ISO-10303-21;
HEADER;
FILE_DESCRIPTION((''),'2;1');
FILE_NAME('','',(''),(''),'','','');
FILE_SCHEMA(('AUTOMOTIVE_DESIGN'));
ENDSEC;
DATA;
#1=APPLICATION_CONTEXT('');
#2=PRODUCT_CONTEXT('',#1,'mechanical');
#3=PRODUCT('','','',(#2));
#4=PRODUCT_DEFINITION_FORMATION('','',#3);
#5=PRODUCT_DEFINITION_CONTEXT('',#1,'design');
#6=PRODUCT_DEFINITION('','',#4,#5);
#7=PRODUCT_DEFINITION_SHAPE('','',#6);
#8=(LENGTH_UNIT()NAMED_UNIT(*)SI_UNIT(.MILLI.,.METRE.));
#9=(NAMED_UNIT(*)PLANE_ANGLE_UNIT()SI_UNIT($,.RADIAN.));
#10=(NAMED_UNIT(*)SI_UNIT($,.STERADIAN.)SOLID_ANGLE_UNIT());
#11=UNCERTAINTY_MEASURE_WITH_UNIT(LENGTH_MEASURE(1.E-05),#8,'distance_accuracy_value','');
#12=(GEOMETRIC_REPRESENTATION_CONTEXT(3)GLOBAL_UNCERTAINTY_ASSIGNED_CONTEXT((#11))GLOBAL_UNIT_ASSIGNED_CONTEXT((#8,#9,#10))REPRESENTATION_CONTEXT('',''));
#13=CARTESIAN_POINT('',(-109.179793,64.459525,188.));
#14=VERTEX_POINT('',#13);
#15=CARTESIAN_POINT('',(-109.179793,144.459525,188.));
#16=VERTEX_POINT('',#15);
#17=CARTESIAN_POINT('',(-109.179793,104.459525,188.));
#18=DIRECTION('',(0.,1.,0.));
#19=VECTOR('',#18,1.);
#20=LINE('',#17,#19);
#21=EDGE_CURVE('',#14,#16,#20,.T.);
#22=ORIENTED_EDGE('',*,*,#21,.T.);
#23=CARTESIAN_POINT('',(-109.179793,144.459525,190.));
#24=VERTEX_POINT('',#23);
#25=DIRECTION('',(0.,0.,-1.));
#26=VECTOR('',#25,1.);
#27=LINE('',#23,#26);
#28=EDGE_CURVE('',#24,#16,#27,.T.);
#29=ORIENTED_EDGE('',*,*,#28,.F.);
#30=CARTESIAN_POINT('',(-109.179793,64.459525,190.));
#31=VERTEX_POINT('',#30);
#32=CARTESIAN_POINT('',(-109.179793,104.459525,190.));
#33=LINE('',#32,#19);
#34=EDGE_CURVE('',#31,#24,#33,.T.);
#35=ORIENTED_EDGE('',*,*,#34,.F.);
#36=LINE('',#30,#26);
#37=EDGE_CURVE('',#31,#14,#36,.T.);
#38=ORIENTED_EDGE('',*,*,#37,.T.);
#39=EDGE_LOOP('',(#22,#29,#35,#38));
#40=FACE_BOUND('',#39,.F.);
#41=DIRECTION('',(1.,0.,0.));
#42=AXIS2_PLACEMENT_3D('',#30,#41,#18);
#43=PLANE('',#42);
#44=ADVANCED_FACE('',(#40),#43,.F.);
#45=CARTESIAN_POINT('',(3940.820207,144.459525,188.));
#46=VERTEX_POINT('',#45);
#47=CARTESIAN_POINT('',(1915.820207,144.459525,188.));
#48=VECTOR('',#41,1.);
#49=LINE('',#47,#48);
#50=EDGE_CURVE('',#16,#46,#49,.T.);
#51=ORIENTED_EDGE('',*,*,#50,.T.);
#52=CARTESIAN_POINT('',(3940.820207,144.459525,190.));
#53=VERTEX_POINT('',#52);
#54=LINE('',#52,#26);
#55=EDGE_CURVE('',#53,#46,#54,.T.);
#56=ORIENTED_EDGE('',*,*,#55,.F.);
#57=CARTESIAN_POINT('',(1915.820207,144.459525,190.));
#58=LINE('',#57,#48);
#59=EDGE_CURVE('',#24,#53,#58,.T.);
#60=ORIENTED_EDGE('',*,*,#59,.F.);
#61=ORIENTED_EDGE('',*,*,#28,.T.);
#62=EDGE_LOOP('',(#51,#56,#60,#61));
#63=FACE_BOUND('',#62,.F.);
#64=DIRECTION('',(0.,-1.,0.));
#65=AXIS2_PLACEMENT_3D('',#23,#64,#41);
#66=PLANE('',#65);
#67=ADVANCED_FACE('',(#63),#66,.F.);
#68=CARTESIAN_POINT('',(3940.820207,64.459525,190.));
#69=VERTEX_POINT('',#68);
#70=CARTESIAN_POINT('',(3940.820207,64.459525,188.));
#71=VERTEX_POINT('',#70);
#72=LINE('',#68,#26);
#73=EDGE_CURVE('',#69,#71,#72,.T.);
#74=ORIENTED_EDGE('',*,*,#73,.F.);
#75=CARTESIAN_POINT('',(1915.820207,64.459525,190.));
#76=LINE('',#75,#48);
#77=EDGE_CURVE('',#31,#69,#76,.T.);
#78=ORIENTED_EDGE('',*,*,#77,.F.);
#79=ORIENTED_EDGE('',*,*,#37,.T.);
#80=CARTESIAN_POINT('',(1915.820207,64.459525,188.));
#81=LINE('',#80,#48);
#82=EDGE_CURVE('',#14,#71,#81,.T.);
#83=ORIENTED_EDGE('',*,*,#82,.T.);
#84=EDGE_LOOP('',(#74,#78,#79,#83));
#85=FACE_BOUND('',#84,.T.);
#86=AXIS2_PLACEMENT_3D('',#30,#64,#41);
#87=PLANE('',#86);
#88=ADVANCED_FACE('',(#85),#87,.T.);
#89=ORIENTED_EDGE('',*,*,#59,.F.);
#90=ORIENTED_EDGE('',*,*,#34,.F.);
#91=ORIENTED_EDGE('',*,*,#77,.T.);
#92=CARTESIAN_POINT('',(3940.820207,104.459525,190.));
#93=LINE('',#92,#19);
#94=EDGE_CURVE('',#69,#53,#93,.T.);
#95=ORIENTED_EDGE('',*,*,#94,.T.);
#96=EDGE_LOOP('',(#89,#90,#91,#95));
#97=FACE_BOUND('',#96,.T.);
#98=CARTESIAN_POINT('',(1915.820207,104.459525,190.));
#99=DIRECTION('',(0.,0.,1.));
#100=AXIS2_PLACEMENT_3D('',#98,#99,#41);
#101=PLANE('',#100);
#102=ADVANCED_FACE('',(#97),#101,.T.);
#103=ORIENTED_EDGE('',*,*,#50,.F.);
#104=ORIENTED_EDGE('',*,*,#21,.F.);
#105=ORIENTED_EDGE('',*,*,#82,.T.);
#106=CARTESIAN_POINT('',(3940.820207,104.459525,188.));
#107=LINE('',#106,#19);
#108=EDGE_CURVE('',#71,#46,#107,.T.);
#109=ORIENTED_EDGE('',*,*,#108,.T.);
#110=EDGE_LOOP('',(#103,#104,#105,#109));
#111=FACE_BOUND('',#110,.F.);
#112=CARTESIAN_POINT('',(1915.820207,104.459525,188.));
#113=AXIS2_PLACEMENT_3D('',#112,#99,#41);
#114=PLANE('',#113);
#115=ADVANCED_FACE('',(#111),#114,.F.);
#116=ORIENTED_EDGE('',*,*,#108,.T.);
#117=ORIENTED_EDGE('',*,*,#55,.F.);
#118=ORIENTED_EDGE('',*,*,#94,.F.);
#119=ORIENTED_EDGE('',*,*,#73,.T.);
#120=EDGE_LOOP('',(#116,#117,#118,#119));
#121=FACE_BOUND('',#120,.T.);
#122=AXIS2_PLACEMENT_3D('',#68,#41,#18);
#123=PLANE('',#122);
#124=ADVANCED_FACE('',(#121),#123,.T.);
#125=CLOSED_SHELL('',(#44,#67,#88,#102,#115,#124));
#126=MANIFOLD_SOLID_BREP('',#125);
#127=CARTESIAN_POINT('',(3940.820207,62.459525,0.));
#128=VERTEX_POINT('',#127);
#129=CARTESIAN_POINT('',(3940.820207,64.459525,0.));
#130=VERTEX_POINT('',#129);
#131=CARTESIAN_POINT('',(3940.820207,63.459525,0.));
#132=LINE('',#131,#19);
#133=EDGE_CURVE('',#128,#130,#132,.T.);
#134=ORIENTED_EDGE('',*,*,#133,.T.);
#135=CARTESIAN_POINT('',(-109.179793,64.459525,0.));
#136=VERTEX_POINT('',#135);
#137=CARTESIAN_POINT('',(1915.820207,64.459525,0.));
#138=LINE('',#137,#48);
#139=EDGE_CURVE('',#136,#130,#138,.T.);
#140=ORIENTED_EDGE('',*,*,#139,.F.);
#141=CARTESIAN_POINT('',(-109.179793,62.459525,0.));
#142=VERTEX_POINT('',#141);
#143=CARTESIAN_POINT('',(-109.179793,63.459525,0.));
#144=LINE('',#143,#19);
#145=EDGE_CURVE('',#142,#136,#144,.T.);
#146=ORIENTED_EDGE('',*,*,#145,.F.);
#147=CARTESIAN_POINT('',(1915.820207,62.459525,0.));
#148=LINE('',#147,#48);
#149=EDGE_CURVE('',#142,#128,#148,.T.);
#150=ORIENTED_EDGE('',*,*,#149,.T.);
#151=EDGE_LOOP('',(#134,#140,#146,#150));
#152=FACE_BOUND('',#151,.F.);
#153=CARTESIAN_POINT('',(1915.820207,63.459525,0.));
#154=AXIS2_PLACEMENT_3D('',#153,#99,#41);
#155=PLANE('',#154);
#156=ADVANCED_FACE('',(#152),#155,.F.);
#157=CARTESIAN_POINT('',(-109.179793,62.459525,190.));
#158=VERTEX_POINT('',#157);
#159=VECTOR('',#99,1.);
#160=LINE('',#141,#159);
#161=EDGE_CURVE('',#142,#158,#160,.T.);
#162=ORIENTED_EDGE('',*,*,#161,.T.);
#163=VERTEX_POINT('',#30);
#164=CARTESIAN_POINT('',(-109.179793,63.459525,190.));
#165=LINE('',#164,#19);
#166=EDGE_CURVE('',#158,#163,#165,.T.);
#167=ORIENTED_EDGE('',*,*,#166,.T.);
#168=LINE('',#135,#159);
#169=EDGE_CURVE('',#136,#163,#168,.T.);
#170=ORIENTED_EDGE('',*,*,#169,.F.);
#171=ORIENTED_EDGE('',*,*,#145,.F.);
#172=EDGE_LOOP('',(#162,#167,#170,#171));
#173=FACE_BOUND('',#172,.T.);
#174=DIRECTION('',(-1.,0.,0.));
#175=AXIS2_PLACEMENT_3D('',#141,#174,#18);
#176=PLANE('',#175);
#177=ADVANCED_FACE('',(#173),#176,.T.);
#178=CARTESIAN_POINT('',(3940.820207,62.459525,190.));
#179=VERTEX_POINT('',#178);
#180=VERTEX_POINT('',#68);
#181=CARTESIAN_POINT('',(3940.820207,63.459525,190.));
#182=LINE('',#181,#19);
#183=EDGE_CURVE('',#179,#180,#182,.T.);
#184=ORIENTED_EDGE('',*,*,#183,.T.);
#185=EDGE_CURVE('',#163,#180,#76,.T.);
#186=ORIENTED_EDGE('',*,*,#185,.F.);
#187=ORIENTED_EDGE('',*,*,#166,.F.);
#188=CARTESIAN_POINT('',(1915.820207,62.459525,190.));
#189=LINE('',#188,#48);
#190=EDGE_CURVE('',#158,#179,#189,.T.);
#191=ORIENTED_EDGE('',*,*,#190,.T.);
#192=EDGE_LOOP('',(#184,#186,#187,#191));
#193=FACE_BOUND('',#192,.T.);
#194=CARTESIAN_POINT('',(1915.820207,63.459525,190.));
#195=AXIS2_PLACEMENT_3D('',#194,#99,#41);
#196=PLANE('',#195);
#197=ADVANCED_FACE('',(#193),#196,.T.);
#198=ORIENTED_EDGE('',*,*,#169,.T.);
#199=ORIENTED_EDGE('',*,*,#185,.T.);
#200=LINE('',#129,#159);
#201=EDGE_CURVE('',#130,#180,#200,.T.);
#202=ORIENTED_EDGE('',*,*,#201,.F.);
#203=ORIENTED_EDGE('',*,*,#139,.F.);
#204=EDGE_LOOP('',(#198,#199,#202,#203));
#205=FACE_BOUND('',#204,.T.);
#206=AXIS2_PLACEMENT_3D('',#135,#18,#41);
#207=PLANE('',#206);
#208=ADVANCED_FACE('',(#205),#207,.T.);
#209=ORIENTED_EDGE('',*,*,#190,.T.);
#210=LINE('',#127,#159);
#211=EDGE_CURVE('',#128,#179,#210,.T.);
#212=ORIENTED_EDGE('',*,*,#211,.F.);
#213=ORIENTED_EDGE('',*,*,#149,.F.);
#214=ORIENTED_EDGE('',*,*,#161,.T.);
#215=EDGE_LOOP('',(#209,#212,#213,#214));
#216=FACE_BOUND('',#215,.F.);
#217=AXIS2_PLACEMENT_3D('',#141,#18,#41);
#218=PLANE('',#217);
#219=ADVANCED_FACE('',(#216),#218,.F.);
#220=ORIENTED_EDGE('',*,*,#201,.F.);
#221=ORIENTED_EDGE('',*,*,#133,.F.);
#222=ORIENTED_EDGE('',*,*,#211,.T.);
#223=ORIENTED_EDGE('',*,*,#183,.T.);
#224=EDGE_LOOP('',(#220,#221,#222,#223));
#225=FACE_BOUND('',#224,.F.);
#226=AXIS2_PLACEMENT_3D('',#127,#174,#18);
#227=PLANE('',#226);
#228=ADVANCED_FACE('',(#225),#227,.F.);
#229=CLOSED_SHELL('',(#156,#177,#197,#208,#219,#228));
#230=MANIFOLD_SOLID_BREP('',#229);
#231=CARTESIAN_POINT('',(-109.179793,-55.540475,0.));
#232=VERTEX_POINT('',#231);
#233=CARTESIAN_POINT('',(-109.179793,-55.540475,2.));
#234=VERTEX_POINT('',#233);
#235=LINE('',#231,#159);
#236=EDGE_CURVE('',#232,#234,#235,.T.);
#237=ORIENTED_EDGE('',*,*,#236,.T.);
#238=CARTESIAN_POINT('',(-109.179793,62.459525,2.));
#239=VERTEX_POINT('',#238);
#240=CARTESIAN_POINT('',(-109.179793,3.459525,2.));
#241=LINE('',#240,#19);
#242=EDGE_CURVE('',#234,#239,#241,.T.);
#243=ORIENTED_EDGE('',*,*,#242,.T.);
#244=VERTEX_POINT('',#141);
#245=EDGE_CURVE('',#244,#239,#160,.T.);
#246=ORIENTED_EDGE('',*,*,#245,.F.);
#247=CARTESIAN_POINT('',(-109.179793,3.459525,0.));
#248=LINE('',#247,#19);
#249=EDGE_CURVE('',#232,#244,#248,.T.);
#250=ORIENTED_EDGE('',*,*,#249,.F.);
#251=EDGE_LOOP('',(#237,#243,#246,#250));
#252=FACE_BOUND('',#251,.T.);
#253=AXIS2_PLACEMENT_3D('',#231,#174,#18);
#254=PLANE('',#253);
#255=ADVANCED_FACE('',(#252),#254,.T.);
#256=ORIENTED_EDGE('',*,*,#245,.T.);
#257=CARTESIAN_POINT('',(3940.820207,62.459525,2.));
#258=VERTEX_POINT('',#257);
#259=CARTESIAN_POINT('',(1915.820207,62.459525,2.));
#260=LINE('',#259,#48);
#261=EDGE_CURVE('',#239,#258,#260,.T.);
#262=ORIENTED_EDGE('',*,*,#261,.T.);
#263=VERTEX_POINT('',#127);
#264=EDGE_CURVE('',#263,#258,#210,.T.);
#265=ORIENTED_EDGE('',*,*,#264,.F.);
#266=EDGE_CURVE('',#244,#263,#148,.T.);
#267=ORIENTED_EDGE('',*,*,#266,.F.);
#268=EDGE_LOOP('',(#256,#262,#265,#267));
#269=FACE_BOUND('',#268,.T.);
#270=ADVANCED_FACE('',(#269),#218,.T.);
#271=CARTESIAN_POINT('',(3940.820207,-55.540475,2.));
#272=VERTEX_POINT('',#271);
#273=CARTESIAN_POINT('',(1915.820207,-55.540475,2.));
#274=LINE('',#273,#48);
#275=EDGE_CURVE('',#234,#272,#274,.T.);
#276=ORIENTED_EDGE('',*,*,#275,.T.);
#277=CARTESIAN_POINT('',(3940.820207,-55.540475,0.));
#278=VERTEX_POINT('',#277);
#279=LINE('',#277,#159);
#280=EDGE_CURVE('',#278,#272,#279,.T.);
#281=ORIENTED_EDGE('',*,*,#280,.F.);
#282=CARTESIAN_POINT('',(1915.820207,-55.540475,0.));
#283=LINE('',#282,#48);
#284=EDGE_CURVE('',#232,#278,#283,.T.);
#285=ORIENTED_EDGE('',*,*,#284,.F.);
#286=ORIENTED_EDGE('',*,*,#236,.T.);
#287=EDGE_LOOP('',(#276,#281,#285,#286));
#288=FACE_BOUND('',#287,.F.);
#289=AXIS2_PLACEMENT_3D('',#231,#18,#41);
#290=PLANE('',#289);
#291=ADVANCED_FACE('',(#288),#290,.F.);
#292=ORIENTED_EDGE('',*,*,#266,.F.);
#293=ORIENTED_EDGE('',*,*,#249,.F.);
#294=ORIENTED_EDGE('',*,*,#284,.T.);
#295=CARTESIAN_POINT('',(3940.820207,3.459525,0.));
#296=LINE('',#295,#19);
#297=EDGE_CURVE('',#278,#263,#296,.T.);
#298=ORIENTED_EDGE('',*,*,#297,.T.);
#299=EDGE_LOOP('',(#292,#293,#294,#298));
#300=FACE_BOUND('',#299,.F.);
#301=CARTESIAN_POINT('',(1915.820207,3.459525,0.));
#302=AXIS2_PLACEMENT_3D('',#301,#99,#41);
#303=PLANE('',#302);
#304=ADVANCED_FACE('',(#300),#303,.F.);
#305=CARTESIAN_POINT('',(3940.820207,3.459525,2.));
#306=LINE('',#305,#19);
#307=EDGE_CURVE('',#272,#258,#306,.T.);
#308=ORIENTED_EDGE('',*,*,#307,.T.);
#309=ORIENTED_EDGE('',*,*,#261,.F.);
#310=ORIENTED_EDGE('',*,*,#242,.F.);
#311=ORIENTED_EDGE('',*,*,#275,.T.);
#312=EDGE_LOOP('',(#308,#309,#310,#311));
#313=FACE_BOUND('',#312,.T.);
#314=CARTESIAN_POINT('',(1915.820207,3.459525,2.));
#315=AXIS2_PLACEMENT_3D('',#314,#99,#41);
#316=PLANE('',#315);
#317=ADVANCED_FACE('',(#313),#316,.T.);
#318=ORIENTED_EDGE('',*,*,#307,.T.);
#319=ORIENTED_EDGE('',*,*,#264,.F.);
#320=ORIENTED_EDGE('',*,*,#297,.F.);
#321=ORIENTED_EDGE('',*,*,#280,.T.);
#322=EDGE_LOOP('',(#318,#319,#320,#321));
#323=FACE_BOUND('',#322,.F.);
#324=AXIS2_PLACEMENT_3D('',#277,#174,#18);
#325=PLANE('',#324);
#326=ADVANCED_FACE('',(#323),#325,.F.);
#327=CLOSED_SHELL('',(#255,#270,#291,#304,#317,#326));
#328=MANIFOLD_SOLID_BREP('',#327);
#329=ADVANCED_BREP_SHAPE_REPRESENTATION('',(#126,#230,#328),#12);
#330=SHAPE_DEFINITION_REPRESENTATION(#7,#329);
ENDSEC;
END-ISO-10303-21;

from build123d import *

# Parameters (mm, degrees)
F0_W     = 4050
F0_H     = 118
F1_DEPTH = 2
F0_H_2   = 2
F2_DEPTH = 190
F3_W     = 4050
F3_H     = 80
F4_DEPTH = 2


with BuildPart() as f1:
    # F0 (on Top) → F1 (new body)
    with BuildSketch(Plane.XY):
        with Locations((1915.820207, 3.459525)):
            Rectangle(F0_W, F0_H)
    extrude(amount=F1_DEPTH)


with BuildPart() as f2:
    # F0 (on Top) → F2 (new body)
    with BuildSketch(Plane.XY):
        with Locations((1915.820207, 63.459525)):
            Rectangle(F0_W, F0_H_2)
    extrude(amount=F2_DEPTH)


with BuildPart() as f4:
    # F3 (on face) → F4 (new body)
    with BuildSketch(Plane.XY.offset(190)):
        with Locations((1915.820207, 104.459525)):
            Rectangle(F3_W, F3_H)
    extrude(amount=-F4_DEPTH)


solid = Compound([f1.part, f2.part, f4.part])
